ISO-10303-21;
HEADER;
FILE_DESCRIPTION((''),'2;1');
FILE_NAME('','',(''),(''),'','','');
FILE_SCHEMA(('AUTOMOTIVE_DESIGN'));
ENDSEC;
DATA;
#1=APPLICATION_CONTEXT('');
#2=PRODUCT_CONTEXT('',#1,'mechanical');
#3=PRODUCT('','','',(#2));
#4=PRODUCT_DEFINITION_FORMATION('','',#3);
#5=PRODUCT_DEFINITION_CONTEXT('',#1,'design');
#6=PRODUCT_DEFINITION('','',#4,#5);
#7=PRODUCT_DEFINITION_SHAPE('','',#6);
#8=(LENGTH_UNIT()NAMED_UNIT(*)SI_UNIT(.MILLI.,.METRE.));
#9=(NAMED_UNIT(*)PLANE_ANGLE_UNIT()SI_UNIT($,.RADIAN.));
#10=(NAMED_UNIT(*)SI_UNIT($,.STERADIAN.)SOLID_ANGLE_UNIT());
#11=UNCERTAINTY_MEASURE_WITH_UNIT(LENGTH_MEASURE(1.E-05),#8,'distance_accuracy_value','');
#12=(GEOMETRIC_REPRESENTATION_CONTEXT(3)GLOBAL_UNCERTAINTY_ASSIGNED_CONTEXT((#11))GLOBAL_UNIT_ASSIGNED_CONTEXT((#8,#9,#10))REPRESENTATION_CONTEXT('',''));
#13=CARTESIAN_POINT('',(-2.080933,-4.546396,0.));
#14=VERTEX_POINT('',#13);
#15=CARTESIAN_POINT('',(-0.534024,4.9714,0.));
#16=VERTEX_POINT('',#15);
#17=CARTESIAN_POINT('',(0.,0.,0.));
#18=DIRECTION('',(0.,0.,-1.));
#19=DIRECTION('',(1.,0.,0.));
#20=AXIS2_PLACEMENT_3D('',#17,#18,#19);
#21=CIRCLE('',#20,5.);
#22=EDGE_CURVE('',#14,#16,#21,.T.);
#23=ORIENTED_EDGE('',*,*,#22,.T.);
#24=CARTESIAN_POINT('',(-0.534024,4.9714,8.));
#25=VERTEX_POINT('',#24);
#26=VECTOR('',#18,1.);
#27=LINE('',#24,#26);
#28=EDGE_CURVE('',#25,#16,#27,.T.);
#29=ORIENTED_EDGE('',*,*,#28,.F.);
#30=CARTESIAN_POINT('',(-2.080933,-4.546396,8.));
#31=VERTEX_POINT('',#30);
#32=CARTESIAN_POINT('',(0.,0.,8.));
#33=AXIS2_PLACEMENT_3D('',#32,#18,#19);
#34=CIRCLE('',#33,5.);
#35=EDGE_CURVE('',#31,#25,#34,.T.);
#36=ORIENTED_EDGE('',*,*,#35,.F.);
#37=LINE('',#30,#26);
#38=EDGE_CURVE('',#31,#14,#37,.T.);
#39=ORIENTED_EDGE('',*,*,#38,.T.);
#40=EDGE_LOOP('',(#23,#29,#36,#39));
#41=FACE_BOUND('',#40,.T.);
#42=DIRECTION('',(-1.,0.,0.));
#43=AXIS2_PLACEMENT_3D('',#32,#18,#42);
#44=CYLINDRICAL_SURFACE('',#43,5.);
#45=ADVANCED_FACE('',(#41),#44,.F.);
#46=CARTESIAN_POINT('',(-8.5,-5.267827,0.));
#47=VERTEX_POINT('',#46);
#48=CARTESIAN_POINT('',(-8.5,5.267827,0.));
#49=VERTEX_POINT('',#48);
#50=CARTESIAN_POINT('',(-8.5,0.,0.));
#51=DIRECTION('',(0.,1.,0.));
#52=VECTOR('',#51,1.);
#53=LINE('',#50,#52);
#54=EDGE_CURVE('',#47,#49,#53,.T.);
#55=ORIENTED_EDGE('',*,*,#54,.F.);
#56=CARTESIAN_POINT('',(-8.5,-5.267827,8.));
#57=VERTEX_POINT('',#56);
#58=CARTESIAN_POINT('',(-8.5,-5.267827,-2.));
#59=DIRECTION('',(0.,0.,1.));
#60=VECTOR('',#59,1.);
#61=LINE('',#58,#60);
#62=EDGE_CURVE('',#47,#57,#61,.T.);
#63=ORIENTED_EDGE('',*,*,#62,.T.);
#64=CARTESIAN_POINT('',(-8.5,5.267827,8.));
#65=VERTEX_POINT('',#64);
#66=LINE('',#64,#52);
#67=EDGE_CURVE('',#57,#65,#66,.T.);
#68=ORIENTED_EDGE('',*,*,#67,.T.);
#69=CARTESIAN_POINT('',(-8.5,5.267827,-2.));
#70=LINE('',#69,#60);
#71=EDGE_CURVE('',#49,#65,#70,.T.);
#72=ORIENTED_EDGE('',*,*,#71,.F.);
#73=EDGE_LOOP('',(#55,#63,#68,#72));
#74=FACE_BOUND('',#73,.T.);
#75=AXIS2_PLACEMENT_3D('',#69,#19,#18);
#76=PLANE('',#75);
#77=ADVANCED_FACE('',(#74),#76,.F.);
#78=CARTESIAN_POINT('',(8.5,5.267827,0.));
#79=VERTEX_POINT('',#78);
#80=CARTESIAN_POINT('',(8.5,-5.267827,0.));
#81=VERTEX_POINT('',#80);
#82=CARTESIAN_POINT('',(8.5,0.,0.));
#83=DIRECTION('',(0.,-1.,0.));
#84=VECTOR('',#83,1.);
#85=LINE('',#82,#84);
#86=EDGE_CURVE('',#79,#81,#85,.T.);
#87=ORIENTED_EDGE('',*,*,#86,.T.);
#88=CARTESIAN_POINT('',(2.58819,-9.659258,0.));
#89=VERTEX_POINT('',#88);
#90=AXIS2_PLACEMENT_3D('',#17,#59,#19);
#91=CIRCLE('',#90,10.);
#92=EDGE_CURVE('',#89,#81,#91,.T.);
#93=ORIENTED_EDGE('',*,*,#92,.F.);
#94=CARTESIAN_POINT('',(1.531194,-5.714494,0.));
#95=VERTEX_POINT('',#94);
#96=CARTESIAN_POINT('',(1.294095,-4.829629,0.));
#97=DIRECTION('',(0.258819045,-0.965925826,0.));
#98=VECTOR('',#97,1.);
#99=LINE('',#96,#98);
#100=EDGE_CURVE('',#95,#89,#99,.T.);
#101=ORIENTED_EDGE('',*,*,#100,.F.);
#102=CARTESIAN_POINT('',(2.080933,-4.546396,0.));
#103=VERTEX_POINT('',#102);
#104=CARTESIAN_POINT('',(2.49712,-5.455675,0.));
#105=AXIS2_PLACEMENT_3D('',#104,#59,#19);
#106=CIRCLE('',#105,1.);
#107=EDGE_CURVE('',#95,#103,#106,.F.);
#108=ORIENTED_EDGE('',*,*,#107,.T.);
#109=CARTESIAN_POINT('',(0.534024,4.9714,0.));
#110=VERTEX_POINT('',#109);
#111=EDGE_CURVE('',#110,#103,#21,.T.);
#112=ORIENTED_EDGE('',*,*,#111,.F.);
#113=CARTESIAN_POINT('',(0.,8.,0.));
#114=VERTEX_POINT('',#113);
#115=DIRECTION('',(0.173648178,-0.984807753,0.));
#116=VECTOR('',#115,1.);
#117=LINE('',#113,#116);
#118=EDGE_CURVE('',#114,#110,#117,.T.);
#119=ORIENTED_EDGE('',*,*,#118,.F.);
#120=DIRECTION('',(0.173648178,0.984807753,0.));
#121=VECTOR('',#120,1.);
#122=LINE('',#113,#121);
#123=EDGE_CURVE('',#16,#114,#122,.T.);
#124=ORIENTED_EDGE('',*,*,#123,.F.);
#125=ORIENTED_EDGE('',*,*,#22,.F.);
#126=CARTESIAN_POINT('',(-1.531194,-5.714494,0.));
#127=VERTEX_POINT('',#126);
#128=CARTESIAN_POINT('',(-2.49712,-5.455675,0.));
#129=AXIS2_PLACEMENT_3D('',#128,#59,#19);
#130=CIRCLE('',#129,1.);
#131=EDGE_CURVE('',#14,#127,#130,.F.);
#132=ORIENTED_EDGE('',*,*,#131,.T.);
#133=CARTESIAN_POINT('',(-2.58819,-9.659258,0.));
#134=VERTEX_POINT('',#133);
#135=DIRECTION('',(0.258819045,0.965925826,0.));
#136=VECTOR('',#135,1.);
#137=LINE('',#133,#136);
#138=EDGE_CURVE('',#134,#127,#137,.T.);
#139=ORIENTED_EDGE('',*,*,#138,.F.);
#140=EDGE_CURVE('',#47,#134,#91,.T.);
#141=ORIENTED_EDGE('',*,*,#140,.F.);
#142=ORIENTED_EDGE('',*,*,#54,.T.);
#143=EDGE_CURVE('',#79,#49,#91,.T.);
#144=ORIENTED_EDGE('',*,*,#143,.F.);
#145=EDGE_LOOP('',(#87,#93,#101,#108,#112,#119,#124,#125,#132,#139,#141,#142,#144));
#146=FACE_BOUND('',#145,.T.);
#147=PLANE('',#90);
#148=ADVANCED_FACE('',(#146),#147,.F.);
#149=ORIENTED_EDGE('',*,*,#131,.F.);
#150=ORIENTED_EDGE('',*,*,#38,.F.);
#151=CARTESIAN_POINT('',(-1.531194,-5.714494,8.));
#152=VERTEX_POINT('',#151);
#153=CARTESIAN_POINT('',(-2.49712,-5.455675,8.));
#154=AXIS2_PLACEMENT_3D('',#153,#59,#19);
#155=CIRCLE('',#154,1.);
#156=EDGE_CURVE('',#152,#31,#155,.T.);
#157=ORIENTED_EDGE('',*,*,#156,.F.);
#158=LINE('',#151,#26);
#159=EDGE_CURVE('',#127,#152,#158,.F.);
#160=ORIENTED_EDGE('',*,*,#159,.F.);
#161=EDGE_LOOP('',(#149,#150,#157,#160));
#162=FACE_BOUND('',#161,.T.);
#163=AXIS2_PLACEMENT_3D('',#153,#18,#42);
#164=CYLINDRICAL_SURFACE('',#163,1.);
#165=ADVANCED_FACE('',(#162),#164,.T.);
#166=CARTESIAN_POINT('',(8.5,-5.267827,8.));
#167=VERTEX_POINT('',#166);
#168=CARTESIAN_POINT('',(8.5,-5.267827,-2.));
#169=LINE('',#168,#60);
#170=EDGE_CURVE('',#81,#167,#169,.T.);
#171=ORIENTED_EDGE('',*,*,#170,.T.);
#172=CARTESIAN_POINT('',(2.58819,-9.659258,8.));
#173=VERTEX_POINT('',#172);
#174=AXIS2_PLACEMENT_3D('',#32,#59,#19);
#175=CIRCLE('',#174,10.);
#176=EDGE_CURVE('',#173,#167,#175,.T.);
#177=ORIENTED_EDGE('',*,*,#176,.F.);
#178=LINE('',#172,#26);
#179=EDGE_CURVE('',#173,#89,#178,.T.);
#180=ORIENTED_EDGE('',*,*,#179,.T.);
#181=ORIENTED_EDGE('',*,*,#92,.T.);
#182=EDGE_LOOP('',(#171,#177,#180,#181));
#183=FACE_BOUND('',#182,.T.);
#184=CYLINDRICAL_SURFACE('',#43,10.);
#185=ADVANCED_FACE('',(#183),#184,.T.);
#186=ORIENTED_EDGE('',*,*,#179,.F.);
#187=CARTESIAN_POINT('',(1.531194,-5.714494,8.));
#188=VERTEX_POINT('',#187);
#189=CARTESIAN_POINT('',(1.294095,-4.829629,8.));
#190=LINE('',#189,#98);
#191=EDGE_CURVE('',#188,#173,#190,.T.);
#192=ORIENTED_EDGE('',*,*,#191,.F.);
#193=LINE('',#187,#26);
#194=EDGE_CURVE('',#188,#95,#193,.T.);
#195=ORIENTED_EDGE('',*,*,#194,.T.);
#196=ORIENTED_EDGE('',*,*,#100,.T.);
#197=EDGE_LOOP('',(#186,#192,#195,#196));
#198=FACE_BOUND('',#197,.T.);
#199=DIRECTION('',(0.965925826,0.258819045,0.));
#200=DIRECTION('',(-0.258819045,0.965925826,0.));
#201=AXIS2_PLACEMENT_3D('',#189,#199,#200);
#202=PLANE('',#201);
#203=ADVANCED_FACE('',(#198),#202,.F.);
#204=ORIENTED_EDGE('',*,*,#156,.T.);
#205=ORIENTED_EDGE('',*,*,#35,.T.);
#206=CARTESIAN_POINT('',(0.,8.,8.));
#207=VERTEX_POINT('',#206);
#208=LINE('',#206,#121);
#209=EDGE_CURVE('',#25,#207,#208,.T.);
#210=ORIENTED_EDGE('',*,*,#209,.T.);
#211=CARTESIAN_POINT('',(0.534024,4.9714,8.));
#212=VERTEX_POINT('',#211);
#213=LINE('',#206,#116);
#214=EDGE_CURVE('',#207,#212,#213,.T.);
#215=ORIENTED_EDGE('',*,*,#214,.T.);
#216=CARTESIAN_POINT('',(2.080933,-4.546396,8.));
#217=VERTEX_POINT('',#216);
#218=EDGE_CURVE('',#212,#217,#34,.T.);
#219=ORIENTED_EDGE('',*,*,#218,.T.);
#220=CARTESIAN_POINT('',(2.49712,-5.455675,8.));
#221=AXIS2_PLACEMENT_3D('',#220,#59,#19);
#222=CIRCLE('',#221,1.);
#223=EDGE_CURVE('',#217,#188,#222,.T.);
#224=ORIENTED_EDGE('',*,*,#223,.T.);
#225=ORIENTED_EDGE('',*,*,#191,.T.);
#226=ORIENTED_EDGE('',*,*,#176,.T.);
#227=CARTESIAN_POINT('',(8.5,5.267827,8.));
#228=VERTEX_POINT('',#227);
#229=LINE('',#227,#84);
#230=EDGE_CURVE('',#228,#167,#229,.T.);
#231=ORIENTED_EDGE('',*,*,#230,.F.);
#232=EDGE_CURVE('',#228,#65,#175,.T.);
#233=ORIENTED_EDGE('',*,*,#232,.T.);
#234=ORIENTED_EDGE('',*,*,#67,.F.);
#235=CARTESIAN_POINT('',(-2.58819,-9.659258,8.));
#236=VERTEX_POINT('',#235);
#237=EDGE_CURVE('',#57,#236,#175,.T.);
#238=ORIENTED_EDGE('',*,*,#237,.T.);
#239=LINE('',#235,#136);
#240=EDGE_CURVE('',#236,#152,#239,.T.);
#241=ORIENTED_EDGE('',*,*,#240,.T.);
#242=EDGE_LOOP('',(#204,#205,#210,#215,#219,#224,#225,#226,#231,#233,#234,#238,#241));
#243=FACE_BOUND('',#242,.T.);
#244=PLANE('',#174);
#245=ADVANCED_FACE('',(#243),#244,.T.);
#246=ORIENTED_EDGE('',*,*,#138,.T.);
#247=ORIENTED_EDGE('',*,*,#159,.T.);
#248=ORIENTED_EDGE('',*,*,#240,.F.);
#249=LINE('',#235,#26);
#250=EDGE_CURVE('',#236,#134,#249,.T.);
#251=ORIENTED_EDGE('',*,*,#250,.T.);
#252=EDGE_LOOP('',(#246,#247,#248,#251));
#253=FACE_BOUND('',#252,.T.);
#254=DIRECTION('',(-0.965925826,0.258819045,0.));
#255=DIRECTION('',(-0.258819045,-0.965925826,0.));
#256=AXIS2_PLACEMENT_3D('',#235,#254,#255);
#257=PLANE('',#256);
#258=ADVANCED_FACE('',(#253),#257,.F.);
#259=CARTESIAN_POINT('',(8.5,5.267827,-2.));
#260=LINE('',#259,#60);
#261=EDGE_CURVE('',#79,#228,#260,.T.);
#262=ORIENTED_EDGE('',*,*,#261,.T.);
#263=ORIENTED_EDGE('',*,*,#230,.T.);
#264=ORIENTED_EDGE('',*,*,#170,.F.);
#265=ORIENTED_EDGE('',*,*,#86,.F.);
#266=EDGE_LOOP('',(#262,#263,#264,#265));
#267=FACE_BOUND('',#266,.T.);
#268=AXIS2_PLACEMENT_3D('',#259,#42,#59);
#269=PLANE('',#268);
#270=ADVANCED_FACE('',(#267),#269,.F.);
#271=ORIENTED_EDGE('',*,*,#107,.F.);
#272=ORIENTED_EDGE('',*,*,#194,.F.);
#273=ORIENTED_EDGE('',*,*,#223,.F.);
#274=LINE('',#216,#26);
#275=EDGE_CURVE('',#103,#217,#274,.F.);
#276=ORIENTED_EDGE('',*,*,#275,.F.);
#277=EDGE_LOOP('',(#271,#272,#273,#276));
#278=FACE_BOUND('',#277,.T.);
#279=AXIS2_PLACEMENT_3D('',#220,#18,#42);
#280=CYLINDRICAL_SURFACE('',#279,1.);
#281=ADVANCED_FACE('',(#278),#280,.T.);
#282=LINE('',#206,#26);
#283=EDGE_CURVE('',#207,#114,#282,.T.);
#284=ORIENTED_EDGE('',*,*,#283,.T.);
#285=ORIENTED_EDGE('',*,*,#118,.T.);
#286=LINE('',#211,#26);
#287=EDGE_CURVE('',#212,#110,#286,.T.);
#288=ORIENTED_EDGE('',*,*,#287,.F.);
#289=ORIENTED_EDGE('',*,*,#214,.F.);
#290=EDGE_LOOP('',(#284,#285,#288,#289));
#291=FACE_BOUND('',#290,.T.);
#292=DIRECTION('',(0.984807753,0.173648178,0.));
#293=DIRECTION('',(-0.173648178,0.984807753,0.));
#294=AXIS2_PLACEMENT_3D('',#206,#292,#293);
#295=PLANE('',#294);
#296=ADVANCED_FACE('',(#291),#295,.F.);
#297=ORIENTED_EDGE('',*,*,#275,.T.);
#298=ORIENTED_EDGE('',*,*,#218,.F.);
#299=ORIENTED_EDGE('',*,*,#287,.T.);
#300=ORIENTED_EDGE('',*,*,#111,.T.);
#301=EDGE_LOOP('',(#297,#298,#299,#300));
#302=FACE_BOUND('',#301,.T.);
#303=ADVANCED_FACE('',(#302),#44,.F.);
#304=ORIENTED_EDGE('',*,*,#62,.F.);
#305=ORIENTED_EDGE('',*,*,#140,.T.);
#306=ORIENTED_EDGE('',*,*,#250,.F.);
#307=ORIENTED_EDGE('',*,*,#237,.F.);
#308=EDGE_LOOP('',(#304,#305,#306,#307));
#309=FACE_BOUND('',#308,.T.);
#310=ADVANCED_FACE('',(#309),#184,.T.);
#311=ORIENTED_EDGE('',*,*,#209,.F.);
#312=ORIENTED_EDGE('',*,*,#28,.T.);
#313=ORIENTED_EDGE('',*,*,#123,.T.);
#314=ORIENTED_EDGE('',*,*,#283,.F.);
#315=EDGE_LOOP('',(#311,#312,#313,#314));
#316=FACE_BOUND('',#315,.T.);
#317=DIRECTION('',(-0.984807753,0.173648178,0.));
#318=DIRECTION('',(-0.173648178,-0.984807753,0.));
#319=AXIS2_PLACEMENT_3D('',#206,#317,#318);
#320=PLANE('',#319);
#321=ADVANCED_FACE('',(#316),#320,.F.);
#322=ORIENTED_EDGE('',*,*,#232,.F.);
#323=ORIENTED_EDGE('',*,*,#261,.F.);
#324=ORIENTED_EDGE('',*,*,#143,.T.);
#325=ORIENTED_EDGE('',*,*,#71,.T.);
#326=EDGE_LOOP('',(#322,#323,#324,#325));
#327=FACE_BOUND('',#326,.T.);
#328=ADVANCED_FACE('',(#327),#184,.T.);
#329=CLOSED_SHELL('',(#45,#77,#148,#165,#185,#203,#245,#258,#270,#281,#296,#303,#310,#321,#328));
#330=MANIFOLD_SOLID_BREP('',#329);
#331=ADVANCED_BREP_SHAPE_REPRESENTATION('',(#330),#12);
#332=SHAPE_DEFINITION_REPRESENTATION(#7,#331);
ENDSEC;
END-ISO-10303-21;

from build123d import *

# Parameters (mm, degrees)
EXTRUDE_1_DEPTH     = 8
FILLET_1_R          = 1
CUT_EXTRUDE_START   = -10
CUT_EXTRUDE_1_DEPTH = 10
CUT_EXTRUDE_2_DEPTH = 16.370426149


with BuildPart() as part:
    # 草图1 → 凸台-拉伸1 (new body)
    with BuildSketch(Plane.XY):
        with BuildLine():
            Line((1.294095226, -4.829629131), (2.588190451, -9.659258263))
            ThreePointArc((2.588190451, -9.659258263), (0, 10), (-2.588190451, -9.659258263))
            Line((-2.588190451, -9.659258263), (-1.294095226, -4.829629131))
            ThreePointArc((-1.294095226, -4.829629131), (0, 5), (1.294095226, -4.829629131))
        make_face()
    extrude(amount=EXTRUDE_1_DEPTH)

    # 圆角1
    fillet_1_edges = [part.edges().sort_by_distance(p)[0] for p in [
        (-1.294095226, -4.829629131, 4),
        (1.294095226, -4.829629131, 4),
    ]]
    fillet(fillet_1_edges, radius=FILLET_1_R)

    # 草图2 → 切除-拉伸1 (cut)
    with BuildSketch(Plane.XY.offset(8).offset(CUT_EXTRUDE_START)):
        with BuildLine():
            Line((-8.5, 5.267826876), (-8.5, -5.267826876))
            ThreePointArc((-8.5, -5.267826876), (-10, 0), (-8.5, 5.267826876))
        make_face()
        with BuildLine():
            Line((8.5, 5.267826876), (8.5, -5.267826876))
            ThreePointArc((8.5, -5.267826876), (10, 0), (8.5, 5.267826876))
        make_face()
    extrude(amount=CUT_EXTRUDE_1_DEPTH, mode=Mode.SUBTRACT)

    # 草图3 → 切除-拉伸2 (cut, through all)
    with BuildSketch(Plane(origin=(0, 0, 0), x_dir=(-1, 0, 0), z_dir=(0, 0, -1))):
        with BuildLine():
            Line((0, 8), (-0.534023884, 4.971400053))
            ThreePointArc((-0.534023884, 4.971400053), (0, 5), (0.534023884, 4.971400053))
            Line((0.534023884, 4.971400053), (0, 8))
        make_face()
    extrude(amount=-CUT_EXTRUDE_2_DEPTH, mode=Mode.SUBTRACT)


solid = part.part
